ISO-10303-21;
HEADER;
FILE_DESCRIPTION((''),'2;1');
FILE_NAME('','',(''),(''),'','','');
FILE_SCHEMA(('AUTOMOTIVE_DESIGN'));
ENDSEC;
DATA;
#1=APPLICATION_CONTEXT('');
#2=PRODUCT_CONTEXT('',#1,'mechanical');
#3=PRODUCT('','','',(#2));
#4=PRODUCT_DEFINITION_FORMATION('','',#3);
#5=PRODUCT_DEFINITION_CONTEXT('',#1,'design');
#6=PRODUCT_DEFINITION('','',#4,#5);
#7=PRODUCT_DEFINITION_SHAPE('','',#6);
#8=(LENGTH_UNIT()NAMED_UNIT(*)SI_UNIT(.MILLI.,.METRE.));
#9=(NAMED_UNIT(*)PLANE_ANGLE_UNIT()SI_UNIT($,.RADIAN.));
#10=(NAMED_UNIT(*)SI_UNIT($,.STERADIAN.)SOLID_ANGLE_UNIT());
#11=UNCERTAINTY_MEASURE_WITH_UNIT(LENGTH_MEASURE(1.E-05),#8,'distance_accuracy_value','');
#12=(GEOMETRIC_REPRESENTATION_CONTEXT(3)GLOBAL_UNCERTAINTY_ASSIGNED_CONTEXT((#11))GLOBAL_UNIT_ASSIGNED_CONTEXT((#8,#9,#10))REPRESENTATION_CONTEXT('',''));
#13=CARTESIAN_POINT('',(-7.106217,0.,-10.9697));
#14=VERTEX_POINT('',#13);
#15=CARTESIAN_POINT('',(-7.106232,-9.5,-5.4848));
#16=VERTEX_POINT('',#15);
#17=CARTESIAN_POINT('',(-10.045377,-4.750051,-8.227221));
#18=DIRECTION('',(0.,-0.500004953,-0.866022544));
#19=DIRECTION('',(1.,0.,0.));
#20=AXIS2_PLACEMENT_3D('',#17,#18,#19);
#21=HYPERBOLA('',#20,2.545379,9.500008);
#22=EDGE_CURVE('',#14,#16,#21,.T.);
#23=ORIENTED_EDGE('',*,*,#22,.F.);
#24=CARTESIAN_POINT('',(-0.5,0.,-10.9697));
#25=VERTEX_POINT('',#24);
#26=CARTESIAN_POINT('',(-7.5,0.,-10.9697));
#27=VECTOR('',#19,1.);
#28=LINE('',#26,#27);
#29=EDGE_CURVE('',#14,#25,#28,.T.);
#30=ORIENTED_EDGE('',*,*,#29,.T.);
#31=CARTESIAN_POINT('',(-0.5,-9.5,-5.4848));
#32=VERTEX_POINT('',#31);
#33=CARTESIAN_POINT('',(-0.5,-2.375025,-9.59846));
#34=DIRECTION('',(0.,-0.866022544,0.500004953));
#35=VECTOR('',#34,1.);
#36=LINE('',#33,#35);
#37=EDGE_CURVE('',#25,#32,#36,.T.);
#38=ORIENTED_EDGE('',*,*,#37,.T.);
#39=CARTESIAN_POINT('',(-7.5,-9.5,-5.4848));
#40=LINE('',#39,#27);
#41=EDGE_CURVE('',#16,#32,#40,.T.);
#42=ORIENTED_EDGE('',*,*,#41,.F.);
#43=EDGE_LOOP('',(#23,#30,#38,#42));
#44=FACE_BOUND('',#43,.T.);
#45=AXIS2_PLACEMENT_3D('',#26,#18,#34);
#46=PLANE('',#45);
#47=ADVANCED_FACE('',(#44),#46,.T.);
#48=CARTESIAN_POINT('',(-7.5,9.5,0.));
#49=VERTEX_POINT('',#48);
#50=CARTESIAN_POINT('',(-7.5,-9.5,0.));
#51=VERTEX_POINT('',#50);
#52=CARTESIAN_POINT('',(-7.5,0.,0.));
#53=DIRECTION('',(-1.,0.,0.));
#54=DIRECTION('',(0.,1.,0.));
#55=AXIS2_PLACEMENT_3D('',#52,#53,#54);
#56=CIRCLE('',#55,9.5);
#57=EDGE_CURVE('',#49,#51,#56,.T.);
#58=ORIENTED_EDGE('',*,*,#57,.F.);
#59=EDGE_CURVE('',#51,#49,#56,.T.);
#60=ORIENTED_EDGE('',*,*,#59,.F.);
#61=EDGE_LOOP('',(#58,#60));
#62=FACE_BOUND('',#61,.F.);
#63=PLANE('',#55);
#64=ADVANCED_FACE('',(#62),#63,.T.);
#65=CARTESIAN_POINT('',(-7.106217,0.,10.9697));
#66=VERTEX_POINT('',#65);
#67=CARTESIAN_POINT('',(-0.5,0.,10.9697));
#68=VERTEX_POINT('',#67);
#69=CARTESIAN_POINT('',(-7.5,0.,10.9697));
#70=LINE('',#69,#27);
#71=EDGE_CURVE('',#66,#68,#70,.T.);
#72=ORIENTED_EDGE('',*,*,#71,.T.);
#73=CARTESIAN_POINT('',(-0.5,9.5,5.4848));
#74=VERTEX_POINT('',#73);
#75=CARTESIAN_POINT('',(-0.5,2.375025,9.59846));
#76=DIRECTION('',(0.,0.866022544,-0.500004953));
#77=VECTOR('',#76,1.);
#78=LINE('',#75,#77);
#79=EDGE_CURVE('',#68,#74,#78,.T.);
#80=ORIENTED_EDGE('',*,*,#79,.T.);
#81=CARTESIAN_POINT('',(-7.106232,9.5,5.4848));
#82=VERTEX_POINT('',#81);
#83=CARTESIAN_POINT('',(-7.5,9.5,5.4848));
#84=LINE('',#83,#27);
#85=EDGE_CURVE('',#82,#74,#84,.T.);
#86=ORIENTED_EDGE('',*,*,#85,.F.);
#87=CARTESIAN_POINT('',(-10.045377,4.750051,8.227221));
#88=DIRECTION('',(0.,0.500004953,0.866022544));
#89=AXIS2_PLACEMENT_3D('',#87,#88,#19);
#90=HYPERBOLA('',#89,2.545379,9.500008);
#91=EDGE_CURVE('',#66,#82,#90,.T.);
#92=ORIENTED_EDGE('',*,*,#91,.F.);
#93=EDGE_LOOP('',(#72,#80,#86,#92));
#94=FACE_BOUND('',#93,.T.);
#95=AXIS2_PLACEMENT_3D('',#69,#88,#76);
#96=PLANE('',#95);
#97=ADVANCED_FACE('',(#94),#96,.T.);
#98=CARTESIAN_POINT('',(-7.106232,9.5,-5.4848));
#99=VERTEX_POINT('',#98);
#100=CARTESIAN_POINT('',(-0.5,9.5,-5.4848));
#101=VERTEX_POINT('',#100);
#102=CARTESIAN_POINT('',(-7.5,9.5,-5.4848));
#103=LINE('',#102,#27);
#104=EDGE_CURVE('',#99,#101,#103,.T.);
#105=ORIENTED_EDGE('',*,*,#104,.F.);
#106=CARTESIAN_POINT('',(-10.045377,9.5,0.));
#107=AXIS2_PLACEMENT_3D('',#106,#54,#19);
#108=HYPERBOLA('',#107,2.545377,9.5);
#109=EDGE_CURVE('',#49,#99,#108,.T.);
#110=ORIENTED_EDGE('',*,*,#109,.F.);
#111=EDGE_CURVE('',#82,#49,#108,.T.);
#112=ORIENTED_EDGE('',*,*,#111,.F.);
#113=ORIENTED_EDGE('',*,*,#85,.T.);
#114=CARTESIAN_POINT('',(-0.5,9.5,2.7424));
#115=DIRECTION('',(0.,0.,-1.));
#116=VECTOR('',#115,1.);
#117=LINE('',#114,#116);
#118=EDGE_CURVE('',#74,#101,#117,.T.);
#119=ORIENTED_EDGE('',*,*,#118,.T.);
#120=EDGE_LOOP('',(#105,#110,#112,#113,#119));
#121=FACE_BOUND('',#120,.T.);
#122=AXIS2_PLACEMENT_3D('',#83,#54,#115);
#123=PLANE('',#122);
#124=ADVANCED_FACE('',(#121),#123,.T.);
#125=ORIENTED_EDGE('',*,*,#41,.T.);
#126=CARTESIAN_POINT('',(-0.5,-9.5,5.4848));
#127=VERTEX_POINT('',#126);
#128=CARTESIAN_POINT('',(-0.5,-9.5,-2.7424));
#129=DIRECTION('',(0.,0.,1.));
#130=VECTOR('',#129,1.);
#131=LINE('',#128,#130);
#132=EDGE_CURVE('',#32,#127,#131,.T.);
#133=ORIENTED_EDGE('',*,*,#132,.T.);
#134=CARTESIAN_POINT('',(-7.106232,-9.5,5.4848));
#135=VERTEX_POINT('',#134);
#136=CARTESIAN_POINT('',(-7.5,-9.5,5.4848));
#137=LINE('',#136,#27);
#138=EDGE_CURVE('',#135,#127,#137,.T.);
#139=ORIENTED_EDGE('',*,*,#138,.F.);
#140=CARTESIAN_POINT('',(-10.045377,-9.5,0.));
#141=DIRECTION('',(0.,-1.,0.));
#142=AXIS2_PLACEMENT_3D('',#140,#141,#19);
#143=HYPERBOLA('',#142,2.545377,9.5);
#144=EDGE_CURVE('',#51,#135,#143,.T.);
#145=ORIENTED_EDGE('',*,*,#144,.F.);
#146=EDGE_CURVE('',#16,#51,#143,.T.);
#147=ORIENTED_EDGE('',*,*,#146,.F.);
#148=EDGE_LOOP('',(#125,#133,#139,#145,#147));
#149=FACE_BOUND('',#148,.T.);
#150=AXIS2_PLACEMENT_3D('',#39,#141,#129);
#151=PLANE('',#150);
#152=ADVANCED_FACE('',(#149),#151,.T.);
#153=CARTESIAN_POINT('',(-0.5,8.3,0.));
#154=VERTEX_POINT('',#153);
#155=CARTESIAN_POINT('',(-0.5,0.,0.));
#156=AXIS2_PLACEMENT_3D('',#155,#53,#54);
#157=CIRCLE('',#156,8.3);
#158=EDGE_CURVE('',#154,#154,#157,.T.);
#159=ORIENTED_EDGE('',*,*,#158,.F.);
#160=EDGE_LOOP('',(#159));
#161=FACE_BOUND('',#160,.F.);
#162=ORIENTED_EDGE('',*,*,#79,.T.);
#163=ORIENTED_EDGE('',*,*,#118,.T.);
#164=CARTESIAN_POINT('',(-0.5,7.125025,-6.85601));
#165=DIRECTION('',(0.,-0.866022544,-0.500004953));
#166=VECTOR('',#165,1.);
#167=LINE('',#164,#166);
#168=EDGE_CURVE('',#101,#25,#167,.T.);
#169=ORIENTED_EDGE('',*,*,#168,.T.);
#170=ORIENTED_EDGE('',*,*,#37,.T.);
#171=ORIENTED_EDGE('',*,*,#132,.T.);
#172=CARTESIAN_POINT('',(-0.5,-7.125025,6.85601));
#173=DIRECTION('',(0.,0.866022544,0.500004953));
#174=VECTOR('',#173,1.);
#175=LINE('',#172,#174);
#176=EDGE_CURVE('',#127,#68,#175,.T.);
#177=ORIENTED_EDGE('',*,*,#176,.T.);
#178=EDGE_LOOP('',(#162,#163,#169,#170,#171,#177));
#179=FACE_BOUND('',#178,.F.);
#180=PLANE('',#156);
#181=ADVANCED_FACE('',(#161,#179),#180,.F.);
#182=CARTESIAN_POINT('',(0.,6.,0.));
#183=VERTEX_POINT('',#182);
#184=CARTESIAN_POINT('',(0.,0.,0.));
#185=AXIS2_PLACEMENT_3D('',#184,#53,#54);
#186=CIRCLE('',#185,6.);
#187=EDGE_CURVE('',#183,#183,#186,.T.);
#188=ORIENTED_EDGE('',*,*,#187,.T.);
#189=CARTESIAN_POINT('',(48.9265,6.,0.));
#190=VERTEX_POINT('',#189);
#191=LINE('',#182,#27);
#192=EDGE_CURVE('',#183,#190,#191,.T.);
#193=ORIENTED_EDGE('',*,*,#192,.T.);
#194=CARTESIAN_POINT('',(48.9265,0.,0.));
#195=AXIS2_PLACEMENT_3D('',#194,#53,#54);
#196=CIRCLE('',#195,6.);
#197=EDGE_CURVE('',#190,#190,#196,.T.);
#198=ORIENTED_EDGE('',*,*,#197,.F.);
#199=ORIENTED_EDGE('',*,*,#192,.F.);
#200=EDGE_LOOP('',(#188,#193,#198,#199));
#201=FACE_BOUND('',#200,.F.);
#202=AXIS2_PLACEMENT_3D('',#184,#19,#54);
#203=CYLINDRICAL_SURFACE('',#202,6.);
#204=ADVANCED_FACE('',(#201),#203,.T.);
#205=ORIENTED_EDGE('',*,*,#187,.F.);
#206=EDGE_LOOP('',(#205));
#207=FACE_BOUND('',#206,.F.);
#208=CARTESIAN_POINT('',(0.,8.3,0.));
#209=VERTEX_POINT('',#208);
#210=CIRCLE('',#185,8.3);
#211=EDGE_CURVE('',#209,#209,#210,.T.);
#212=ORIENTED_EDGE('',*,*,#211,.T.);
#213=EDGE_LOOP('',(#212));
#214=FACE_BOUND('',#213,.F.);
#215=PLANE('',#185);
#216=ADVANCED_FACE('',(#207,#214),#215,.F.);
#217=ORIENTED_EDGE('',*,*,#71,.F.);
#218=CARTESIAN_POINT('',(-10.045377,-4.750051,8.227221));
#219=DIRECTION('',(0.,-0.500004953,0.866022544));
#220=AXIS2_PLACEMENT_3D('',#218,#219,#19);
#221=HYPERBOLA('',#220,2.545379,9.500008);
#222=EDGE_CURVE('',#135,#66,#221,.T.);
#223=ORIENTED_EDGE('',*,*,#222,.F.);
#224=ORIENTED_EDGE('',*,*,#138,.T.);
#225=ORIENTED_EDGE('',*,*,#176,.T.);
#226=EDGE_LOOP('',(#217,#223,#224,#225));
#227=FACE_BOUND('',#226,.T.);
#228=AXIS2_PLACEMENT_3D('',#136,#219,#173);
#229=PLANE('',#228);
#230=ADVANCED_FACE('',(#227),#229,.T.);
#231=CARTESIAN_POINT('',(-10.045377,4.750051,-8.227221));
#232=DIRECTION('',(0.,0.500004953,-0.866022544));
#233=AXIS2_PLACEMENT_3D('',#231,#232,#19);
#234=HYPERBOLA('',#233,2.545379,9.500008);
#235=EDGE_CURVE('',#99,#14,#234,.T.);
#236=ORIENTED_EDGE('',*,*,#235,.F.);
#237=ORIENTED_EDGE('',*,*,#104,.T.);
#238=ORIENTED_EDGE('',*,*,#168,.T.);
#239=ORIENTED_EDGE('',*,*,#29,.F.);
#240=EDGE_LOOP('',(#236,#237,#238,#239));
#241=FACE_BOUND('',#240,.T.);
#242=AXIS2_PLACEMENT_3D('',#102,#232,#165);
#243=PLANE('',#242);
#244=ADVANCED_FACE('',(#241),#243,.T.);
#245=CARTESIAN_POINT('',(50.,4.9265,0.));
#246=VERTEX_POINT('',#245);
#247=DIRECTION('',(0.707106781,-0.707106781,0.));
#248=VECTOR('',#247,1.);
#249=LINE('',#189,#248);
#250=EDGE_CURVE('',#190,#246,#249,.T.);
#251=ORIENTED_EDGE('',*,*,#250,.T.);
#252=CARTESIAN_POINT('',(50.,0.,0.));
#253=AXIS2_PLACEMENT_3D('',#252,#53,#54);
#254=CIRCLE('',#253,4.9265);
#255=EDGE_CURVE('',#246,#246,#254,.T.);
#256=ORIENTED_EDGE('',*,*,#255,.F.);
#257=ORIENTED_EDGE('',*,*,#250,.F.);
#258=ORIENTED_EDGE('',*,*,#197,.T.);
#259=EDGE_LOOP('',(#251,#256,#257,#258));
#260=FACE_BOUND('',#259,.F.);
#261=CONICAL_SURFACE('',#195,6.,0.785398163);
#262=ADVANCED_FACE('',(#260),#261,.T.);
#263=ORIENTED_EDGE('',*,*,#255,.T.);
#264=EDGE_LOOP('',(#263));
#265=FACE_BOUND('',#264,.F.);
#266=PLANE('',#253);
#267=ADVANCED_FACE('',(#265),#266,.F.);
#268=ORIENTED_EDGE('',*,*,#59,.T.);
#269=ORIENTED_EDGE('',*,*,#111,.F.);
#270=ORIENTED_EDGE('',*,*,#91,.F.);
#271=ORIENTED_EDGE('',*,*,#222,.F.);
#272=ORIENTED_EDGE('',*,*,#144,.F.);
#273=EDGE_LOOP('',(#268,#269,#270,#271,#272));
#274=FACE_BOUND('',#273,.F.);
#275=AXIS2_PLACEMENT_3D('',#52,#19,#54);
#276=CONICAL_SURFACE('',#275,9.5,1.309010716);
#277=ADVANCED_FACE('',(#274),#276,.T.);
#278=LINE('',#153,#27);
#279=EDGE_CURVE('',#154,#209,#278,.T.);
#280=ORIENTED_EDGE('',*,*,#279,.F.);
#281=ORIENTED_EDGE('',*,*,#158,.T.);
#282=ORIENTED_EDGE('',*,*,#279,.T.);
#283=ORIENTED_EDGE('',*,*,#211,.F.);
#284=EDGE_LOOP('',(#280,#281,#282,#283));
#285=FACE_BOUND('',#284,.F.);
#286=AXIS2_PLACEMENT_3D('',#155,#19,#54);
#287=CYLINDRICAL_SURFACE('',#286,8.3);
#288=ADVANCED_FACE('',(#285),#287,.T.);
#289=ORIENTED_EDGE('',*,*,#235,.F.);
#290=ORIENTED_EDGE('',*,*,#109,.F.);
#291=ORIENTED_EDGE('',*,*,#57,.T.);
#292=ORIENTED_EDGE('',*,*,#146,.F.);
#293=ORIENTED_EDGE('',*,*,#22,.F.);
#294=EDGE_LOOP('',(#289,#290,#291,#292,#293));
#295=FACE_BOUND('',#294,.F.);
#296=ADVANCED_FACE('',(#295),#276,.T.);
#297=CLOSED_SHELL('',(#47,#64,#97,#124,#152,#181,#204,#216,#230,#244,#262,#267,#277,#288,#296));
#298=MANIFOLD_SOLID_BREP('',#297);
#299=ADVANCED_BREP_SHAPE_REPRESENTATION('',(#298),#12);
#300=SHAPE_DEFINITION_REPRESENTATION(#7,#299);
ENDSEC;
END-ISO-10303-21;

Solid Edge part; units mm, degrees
sketch "Sketch1" plane through (0, 0, 0) normal (0, 0, 1) x (1, 0, 0)
  line L0 (-7.5, 0) -> (-7.5, 9.5)
  line L1 (-7.5, 9.5) -> (-6.6828, 12.55)
  line L2 (-6.6828, 12.55) -> (-0.5, 12.55)
  line L3 (-0.5, 12.55) -> (-0.5, 8.3)
  line L4 (-0.5, 8.3) -> (0, 8.3)
  line L5 (0, 8.3) -> (0, 6)
  line L6 (0, 6) -> (48.9265, 6)
  line L7 (48.9265, 6) -> (50, 4.9265)
  line L8 (50, 4.9265) -> (50, 0)
  line L9 (50, 0) -> (-7.5, 0)
revolve "RevolvedProtrusion1" add sketch "Sketch1" angle 360 about axis through (50, 0, 0) along (-1, 0, 0)
cosmetic_thread "Thread1" size "M12"
sketch "Sketch2" plane through (-7.5, 0, 0) normal (-1, 0, 0) x (0, -1, 0)
  circle A0 centre (0, 0) radius 14.55
  line L0 (9.5, 5.4848) -> (0, 10.9697)
  line L1 (0, 10.9697) -> (-9.5, 5.4848)
  line L2 (-9.5, 5.4848) -> (-9.5, -5.4848)
  line L3 (-9.5, -5.4848) -> (0, -10.9697)
  line L4 (0, -10.9697) -> (9.5, -5.4848)
  line L5 (9.5, -5.4848) -> (9.5, 5.4848)
extrude "ExtrudedCutout_1" cut sketch "Sketch2" against normal blind 7.5
properties part number "07171-12X50"
